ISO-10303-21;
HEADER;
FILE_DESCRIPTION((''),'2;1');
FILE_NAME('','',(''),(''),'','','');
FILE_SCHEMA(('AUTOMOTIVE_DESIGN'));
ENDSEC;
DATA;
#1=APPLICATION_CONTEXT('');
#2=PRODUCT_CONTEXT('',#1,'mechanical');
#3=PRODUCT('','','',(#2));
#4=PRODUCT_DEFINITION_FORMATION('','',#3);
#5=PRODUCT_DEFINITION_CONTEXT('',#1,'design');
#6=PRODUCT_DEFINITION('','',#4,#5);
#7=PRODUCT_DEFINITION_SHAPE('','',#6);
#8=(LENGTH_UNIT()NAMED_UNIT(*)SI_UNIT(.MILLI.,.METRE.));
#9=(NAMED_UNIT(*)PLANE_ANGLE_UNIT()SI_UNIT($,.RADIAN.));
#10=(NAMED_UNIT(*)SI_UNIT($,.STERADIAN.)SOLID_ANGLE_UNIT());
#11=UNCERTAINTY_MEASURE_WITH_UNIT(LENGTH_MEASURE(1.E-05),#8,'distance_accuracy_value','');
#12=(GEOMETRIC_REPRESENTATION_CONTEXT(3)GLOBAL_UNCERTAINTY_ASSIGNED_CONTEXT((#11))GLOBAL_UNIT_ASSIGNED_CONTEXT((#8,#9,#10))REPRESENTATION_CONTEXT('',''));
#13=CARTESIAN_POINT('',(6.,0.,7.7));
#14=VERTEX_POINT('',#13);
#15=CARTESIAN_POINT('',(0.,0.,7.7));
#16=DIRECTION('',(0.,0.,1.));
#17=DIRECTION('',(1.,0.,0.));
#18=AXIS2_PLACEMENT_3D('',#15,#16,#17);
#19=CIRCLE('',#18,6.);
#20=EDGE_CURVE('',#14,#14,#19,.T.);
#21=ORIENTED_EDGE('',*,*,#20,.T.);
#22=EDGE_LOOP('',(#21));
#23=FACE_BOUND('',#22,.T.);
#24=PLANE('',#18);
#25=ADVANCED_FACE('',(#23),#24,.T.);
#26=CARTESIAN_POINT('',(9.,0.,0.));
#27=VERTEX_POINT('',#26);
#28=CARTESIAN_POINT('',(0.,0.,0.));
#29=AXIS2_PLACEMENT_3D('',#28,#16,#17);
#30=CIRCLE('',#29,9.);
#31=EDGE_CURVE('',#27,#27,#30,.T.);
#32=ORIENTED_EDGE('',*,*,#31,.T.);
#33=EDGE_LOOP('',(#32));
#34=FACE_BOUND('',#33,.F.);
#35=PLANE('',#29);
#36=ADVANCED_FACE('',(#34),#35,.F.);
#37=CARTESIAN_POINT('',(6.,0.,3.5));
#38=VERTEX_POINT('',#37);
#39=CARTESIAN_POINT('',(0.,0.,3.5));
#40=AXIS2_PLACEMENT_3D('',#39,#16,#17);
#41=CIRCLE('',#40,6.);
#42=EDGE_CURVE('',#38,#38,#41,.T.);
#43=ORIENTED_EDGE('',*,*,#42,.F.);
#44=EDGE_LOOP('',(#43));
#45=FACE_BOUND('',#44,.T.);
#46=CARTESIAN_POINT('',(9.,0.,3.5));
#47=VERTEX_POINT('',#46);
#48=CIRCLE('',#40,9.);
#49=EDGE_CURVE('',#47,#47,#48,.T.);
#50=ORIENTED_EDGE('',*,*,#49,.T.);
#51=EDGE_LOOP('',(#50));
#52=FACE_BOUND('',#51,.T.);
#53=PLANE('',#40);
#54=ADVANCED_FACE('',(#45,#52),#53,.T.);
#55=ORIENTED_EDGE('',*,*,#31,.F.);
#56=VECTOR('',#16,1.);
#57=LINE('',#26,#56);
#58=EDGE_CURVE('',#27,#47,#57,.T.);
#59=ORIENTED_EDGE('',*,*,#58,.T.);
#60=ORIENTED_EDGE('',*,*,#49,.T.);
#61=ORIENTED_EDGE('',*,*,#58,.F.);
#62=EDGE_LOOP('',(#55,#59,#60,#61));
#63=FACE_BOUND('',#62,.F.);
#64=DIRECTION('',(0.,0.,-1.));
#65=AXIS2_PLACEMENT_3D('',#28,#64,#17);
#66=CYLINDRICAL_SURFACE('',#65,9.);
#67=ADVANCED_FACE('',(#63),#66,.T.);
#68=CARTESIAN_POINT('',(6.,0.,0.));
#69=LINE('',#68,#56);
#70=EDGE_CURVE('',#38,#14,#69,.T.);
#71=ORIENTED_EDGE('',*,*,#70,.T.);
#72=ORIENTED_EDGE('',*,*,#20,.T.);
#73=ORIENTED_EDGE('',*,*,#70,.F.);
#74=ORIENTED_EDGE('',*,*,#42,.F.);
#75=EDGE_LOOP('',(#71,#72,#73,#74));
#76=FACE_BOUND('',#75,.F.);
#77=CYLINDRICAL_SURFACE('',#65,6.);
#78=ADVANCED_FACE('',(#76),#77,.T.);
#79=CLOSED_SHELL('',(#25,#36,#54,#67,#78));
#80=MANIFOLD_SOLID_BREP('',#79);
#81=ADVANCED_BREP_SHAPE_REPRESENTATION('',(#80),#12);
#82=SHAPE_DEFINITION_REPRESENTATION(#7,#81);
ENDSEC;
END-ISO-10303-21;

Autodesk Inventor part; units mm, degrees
ref_plane "YZ Plane" through (0, 0, 0) normal (1, 0, 0) x (0, 1, 0)
ref_plane "XZ Plane" through (0, 0, 0) normal (0, 1, 0) x (-1, 0, 0)
ref_plane "XY Plane" through (0, 0, 0) normal (0, 0, 1) x (1, 0, 0)
sketch "Sketch1" plane through (0, 0, 0) normal (0, 0, 1) x (1, 0, 0)
  circle A0 centre (0, 0) radius 6
  circle A1 centre (0, 0) radius 9
  point P0 (14, 6.5)
extrude "Extrusion1" add sketch "Sketch1" along normal blind 3.5
extrude "Extrusion2" add sketch "Sketch1" along normal blind 7.7 contours A0
properties part number "nivel"
